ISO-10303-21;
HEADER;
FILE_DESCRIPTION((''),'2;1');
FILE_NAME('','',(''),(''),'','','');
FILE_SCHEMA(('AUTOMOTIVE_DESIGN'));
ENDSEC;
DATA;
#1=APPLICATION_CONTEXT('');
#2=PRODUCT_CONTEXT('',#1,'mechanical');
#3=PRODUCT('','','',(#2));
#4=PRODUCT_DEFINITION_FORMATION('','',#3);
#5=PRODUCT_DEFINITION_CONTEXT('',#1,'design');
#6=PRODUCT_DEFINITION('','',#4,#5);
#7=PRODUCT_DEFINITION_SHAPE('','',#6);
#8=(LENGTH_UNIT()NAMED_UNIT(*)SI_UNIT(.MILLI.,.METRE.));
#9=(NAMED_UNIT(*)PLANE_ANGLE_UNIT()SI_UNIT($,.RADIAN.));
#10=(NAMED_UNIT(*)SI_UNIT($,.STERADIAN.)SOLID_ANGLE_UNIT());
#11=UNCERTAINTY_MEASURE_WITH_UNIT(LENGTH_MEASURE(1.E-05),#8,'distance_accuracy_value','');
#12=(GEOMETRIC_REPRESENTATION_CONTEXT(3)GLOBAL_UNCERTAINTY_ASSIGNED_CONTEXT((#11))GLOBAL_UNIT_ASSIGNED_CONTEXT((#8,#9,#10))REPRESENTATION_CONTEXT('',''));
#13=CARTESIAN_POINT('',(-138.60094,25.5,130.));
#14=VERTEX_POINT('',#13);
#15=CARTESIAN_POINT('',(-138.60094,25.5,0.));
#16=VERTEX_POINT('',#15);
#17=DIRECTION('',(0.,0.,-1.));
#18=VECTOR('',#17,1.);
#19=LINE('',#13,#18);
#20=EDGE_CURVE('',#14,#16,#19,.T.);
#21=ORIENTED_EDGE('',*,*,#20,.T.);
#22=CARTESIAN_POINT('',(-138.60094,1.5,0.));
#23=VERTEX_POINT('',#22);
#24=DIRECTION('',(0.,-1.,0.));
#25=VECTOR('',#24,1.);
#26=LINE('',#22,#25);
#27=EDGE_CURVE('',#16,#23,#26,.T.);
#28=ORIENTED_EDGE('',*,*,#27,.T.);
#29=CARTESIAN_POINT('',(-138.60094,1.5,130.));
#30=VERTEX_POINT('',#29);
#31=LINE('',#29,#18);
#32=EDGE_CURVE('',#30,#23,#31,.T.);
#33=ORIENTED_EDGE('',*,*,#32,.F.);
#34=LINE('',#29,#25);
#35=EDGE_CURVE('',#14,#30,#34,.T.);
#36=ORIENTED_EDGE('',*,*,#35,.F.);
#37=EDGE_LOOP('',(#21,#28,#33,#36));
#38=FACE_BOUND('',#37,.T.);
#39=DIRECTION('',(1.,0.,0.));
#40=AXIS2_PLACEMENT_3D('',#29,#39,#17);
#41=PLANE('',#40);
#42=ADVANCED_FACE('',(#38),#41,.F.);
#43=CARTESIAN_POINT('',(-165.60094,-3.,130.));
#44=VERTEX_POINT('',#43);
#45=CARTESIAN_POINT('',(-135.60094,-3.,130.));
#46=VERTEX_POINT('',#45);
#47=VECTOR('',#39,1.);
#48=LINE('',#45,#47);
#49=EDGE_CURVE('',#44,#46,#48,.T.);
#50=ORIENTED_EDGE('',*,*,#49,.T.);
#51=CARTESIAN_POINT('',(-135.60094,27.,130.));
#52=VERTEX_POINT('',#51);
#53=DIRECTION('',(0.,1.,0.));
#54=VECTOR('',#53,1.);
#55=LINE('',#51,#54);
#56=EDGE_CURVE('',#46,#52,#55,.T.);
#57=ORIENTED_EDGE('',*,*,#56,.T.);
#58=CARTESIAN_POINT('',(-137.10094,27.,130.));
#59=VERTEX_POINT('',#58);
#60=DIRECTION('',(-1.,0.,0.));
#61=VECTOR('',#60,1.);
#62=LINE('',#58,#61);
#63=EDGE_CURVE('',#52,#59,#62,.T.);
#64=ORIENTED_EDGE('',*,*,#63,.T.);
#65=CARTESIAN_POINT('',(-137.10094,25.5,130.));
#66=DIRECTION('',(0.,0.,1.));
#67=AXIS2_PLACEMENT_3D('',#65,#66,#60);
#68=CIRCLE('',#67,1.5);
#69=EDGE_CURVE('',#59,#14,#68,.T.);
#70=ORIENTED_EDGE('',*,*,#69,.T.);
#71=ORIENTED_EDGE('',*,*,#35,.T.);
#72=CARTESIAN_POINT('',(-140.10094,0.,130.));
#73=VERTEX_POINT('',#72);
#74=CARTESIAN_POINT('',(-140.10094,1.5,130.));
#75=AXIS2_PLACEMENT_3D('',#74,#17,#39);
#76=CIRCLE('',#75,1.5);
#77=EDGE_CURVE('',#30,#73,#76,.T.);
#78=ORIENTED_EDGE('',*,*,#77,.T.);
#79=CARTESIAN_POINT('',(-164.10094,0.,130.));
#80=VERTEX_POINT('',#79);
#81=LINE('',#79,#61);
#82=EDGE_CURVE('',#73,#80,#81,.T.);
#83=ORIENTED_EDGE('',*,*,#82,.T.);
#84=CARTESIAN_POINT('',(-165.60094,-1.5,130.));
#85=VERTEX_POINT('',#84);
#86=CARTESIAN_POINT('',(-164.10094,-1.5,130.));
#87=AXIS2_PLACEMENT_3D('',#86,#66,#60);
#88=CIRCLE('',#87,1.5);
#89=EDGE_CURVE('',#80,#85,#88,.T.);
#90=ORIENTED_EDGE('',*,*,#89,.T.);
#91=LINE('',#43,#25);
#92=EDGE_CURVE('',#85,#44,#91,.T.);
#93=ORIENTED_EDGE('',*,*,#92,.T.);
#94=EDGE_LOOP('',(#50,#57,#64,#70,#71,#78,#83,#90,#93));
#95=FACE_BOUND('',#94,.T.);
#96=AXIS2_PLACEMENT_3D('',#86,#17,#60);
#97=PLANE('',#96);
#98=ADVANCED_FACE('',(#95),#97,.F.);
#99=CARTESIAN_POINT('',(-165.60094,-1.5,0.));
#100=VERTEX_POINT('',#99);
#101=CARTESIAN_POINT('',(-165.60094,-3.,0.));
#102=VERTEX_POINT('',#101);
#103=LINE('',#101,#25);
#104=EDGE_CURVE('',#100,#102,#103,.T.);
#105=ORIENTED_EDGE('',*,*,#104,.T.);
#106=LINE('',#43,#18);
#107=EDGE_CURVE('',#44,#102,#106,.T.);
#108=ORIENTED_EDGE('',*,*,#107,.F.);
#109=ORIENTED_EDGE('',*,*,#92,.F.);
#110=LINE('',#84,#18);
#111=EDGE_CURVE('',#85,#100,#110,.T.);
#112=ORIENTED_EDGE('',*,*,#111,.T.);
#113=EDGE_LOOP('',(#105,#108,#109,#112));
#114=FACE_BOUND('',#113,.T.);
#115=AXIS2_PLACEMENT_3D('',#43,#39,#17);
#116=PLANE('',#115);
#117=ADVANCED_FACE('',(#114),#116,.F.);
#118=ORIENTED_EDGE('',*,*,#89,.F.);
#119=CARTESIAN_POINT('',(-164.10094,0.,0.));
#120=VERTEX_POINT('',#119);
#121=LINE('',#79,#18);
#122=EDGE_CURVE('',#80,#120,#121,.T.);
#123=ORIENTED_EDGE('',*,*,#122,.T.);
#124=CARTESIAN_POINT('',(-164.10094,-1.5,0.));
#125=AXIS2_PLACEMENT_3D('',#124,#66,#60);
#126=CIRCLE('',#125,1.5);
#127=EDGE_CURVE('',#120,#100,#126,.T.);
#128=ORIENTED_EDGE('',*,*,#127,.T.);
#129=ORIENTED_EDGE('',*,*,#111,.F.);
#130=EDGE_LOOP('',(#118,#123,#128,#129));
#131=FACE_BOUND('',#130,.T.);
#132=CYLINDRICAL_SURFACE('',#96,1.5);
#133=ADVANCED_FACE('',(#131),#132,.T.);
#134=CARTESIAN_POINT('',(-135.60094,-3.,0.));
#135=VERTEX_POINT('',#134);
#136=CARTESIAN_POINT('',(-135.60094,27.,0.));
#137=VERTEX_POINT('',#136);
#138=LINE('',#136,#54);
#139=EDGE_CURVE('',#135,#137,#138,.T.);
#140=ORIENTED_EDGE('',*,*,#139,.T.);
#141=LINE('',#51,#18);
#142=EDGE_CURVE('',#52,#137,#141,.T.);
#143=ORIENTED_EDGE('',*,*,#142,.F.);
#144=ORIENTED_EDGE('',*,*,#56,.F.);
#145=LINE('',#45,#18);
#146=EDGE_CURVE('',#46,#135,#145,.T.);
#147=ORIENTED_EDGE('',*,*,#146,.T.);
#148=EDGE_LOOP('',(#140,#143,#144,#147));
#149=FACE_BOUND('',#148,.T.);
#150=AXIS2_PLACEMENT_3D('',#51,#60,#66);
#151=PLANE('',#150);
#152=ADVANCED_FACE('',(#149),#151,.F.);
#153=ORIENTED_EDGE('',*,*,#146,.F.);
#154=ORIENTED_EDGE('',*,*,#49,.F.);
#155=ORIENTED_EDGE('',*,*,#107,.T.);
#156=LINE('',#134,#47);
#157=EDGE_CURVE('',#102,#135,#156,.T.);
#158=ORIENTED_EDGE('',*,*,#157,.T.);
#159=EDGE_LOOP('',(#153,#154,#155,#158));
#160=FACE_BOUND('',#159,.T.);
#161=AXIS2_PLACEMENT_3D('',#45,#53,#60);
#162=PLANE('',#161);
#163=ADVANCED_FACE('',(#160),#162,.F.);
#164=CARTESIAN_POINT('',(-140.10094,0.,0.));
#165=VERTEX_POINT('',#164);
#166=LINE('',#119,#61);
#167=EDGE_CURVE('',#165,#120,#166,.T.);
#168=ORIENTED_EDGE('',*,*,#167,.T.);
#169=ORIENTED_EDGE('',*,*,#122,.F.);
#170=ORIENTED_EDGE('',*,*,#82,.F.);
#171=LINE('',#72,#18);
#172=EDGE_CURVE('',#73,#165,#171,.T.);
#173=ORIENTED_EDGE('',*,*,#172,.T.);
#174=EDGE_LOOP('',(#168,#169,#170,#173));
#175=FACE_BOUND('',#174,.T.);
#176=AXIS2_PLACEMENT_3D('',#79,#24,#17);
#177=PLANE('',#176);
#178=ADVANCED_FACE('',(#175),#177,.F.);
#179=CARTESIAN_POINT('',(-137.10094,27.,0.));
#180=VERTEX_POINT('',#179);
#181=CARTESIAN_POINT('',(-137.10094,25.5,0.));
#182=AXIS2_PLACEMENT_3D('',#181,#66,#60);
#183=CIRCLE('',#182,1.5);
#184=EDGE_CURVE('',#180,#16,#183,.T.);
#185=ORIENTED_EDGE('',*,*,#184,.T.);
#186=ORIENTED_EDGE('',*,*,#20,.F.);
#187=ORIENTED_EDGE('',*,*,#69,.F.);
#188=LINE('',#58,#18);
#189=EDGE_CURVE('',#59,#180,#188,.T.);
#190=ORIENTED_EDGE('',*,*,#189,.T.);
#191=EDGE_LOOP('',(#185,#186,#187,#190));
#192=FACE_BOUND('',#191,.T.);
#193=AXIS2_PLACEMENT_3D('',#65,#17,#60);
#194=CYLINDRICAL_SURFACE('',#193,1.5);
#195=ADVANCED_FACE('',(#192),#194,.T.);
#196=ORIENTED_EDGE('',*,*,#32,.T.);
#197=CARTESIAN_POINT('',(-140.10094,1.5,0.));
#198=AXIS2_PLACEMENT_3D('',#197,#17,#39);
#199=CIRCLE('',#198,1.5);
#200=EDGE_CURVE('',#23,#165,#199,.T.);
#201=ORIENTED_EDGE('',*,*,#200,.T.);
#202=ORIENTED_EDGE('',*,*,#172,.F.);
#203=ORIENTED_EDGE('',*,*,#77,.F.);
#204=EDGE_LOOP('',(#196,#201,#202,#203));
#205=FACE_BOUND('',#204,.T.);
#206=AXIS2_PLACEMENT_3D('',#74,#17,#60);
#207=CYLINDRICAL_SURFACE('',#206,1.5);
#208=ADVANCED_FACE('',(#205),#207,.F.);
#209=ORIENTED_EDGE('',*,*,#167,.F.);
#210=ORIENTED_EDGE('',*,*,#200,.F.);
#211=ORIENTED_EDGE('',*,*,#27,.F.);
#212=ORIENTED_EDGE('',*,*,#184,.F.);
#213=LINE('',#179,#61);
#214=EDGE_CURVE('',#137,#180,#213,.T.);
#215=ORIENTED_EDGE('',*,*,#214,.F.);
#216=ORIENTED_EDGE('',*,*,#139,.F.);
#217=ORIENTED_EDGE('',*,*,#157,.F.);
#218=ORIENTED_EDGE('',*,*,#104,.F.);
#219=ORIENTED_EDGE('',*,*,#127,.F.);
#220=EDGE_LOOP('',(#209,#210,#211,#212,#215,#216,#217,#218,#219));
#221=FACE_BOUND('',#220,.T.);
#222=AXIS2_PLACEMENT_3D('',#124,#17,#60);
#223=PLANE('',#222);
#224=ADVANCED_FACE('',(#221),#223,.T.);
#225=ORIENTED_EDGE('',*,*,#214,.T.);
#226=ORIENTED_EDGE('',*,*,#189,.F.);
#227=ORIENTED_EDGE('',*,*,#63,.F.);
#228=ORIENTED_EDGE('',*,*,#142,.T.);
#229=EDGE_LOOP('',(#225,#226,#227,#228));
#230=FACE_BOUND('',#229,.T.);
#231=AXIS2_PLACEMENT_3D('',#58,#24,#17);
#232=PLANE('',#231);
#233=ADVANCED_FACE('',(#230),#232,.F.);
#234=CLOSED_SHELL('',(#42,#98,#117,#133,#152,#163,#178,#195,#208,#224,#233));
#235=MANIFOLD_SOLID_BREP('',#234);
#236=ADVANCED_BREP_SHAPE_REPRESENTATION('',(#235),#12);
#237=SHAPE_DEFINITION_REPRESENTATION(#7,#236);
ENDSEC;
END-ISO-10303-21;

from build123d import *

# Parameters (mm, degrees)
BOSS_EXTRUDE1_DEPTH = 130


with BuildPart() as part:
    # Sketch1 → Boss-Extrude1 (new body)
    with BuildSketch(Plane.XY):
        with BuildLine():
            Line((-135.600940307, 27), (-135.600940307, -3))
            Line((-135.600940307, -3), (-165.600940307, -3))
            Line((-165.600940307, -3), (-165.600940307, -1.5))
            ThreePointArc((-165.600940307, -1.5), (-165.161600478, -0.439339828), (-164.100940307, 0))
            Line((-164.100940307, 0), (-140.100940307, 0))
            ThreePointArc((-140.100940307, 0), (-139.040280135, 0.439339828), (-138.600940307, 1.5))
            Line((-138.600940307, 1.5), (-138.600940307, 25.5))
            ThreePointArc((-138.600940307, 25.5), (-138.161600478, 26.560660172), (-137.100940307, 27))
            Line((-137.100940307, 27), (-135.600940307, 27))
        make_face()
    extrude(amount=BOSS_EXTRUDE1_DEPTH)


solid = part.part
